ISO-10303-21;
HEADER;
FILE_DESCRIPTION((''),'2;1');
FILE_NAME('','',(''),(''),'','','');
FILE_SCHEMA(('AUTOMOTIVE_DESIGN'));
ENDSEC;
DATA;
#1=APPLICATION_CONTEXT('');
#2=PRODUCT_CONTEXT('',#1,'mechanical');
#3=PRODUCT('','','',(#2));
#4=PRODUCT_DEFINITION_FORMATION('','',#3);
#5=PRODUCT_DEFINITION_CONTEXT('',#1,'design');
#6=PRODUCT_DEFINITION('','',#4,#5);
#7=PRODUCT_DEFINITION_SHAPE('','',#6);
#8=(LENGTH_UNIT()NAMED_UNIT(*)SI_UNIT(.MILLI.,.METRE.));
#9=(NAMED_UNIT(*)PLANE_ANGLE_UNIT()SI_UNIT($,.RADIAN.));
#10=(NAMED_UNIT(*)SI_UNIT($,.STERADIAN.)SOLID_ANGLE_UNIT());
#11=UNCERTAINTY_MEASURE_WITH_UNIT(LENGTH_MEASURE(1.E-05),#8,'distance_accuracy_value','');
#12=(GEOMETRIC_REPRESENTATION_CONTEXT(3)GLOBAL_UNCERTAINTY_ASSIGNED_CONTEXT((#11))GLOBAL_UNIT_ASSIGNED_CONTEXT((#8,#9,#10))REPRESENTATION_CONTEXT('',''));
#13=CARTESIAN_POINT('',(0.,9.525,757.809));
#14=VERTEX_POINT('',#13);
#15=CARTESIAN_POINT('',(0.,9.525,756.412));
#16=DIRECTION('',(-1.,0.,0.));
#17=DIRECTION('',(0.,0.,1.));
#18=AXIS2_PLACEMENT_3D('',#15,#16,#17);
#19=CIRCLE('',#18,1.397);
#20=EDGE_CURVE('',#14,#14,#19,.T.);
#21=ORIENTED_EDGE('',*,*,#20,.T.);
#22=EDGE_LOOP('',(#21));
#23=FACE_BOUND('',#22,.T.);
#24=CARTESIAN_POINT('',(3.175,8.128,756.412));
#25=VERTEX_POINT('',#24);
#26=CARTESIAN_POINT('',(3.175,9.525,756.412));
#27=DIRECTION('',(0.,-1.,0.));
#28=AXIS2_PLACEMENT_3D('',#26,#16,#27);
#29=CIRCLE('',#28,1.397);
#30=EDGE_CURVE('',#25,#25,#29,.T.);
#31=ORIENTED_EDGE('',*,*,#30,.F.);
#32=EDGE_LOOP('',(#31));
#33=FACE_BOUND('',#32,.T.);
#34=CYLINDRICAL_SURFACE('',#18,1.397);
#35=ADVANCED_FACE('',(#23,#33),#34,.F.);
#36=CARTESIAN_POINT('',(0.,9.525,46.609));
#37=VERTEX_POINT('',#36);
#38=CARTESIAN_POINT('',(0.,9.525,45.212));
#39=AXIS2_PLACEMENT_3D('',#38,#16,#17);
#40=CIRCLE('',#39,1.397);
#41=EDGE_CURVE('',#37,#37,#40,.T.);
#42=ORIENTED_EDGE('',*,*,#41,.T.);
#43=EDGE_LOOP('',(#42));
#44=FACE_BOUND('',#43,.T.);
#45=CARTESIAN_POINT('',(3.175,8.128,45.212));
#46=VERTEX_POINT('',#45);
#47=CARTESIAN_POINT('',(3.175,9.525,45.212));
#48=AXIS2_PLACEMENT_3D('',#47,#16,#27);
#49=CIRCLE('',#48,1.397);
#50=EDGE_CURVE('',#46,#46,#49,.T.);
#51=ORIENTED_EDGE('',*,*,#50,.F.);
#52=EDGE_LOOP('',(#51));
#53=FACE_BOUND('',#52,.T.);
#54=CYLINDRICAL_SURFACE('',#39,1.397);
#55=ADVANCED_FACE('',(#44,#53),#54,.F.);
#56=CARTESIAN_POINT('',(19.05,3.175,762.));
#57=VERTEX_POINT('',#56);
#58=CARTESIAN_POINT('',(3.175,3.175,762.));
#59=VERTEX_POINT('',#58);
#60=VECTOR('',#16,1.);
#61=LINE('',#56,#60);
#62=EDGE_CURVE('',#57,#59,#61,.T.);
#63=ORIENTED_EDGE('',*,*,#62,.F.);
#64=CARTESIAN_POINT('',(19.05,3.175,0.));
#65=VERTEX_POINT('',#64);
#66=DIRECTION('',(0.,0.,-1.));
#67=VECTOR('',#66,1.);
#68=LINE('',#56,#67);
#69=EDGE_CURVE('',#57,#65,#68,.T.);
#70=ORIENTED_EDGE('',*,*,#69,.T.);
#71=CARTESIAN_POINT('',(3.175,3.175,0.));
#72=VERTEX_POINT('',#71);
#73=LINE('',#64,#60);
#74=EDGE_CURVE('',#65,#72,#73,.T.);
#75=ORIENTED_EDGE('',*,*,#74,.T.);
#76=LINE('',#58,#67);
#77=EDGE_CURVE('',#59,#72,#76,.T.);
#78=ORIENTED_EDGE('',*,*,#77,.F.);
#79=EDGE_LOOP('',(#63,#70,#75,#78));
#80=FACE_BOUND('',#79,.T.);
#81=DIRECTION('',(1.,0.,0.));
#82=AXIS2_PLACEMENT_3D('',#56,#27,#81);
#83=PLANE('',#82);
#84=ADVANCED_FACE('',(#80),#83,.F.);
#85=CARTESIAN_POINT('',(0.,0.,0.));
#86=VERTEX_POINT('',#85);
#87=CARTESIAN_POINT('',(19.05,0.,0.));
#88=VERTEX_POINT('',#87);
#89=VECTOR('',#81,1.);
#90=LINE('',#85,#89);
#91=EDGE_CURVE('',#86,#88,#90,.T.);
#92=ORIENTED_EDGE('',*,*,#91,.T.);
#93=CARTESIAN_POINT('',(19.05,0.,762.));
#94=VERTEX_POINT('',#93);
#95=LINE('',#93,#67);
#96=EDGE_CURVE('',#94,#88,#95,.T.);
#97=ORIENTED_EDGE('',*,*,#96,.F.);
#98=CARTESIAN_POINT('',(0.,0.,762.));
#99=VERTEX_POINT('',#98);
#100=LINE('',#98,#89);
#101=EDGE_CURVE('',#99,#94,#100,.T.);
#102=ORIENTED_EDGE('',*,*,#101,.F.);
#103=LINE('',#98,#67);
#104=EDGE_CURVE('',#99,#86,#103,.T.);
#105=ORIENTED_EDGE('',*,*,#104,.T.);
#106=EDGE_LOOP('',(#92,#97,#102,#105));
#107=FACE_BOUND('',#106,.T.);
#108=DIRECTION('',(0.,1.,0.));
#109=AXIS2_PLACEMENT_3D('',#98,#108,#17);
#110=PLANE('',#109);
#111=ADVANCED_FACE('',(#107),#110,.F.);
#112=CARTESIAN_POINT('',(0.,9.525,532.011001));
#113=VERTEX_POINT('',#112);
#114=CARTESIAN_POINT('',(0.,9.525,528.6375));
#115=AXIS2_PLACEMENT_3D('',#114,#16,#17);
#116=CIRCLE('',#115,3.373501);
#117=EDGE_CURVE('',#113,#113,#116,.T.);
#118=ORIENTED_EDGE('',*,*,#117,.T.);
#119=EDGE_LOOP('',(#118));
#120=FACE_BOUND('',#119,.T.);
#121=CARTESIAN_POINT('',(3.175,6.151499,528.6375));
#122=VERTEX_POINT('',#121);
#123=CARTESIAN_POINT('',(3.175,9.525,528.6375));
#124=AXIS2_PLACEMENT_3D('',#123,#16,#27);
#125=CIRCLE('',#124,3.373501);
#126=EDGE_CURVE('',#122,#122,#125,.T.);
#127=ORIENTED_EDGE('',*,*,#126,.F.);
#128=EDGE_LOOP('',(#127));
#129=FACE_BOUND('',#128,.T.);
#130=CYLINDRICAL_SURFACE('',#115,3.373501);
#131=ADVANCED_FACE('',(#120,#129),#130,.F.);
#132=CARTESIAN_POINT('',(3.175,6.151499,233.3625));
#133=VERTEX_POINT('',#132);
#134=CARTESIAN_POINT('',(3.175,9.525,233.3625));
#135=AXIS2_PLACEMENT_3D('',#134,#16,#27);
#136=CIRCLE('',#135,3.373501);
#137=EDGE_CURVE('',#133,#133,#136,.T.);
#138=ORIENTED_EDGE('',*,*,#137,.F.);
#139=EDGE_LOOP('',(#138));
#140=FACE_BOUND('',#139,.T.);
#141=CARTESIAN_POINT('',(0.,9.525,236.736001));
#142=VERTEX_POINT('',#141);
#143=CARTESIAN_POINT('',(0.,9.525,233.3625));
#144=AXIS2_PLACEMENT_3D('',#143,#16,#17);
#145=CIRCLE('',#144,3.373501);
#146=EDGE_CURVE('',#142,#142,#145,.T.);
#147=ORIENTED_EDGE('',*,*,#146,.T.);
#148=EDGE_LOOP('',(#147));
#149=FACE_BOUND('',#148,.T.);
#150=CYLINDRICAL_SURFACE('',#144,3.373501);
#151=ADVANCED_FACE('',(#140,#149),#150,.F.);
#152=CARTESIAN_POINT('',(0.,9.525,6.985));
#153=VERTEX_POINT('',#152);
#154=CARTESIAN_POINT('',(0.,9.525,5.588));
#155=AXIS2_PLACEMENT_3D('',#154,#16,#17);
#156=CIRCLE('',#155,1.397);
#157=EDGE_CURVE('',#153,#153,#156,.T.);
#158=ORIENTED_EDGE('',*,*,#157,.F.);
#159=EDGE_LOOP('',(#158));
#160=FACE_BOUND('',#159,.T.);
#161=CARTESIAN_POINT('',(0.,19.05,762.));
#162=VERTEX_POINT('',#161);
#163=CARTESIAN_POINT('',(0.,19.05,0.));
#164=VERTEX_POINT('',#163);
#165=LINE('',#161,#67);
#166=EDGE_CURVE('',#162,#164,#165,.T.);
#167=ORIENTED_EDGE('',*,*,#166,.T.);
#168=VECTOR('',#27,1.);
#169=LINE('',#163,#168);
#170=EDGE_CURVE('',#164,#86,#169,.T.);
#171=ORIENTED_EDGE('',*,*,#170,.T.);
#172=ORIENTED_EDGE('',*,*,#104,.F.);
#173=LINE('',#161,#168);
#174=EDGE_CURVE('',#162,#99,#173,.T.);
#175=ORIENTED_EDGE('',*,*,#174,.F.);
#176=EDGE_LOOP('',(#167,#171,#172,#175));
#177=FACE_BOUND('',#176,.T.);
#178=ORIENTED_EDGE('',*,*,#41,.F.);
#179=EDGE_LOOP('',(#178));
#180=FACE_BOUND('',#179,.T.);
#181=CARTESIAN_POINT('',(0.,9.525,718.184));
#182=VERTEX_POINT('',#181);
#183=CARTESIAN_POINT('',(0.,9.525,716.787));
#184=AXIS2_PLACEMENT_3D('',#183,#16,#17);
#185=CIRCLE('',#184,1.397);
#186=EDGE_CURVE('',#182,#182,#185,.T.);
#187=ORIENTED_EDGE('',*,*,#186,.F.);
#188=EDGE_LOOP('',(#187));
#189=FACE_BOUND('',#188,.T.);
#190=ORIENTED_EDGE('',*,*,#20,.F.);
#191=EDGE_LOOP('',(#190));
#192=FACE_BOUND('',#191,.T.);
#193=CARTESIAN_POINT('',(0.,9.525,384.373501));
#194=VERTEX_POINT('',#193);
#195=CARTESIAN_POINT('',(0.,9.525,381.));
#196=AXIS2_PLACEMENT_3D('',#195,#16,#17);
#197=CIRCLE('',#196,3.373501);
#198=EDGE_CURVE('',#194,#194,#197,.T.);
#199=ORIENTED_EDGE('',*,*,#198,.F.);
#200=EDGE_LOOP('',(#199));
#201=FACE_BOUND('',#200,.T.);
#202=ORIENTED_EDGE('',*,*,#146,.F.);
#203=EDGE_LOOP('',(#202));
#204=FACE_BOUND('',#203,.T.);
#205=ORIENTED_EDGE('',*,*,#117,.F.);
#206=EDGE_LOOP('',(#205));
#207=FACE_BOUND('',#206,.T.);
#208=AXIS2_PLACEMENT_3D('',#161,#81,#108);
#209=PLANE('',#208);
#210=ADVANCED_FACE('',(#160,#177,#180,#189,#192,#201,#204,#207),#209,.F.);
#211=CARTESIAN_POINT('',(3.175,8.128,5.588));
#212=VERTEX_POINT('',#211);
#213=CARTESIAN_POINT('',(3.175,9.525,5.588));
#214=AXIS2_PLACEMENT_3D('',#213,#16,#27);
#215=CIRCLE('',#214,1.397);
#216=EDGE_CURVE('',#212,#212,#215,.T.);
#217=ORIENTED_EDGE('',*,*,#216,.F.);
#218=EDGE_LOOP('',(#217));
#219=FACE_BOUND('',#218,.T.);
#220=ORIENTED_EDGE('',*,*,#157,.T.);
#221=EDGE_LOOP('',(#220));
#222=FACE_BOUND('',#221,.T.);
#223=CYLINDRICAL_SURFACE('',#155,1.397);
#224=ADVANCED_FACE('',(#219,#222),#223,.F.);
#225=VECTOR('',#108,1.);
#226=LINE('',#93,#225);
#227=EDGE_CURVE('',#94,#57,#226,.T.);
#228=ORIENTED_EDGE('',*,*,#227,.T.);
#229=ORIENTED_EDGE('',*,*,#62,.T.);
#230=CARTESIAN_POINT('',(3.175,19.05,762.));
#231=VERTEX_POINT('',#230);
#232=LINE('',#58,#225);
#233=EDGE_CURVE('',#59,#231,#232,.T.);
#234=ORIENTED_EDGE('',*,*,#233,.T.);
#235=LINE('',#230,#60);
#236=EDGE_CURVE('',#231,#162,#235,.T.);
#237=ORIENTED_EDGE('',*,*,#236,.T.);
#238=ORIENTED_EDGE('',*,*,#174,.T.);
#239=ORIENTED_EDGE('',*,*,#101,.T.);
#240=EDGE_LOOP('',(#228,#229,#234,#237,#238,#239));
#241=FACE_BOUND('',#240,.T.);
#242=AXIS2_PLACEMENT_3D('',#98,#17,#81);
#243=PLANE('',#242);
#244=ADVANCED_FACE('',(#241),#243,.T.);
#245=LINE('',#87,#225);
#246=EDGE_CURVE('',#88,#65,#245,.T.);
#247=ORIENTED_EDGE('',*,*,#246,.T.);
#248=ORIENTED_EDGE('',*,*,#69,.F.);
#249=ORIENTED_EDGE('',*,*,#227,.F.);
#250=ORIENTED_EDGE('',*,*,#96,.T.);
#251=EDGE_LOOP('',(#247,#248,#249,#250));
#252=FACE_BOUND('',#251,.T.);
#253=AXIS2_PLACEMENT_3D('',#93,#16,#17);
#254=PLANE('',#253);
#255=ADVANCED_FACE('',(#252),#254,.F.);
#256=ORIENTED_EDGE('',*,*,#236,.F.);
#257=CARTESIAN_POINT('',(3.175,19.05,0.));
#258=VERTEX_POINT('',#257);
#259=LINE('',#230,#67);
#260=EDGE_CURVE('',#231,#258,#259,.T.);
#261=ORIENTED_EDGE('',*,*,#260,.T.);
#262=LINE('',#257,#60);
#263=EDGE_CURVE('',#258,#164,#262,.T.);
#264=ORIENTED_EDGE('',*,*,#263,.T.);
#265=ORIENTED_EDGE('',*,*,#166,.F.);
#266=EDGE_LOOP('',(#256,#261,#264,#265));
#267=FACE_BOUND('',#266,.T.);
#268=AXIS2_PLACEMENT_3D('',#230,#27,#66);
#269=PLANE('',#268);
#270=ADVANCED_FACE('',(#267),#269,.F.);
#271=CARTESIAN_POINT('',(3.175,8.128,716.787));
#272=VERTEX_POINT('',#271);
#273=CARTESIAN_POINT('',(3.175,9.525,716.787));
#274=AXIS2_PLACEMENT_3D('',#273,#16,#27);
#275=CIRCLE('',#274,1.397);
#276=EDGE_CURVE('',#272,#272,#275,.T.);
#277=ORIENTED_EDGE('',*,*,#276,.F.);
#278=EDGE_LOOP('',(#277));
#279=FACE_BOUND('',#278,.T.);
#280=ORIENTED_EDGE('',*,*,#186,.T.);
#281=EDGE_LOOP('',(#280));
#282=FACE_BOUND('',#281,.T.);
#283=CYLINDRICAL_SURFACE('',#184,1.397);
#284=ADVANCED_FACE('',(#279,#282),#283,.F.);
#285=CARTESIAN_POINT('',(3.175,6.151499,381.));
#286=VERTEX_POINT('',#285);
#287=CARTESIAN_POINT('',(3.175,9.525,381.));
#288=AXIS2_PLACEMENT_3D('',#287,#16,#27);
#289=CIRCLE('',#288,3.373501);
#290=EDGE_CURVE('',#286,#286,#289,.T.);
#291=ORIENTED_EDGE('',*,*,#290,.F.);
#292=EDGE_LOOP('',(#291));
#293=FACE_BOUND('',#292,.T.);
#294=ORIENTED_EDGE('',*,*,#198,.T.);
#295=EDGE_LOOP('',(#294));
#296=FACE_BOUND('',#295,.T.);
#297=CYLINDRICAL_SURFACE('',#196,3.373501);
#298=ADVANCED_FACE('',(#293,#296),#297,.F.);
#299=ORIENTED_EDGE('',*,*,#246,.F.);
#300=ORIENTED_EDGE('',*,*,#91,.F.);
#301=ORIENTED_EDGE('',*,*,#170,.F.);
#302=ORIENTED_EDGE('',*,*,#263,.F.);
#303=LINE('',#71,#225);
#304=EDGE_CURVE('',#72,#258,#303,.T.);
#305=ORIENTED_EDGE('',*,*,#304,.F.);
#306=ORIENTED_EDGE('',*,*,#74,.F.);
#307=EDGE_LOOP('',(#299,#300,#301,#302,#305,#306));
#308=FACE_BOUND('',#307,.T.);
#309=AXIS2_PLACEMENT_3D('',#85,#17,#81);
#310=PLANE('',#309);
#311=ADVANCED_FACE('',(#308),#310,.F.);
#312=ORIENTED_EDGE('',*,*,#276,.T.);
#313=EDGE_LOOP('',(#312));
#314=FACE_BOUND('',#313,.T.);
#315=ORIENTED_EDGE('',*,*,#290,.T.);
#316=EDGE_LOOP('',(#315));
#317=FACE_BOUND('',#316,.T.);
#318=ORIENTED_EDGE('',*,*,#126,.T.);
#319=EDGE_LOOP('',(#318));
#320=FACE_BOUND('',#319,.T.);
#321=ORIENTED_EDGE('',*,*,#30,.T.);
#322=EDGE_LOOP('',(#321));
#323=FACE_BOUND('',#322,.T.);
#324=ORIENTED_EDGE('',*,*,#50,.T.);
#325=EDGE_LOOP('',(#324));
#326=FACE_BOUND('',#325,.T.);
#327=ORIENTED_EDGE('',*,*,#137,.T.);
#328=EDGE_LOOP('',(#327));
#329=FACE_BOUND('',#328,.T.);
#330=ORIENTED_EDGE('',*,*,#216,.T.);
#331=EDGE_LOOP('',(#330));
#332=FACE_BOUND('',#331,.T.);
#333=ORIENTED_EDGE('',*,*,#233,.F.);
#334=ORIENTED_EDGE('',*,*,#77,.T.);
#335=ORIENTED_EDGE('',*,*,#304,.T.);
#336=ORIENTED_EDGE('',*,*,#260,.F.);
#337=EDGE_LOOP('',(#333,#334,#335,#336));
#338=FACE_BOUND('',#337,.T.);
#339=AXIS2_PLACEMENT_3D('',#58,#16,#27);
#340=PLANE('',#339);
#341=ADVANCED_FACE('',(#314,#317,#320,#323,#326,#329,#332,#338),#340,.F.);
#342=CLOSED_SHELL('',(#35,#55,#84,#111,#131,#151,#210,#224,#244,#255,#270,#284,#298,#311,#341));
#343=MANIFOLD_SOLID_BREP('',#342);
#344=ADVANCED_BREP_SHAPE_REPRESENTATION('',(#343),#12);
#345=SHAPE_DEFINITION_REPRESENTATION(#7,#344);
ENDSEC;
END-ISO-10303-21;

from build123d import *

# Parameters (mm, degrees)
BOSS_EXTRUDE1_DEPTH                  = 762
F_35_0_11_DIAMETER_HOLE1_D           = 2.794
F_17_64_0_26563_DIAMETER_HOLE1_D     = 6.747002
F_17_64_0_26563_DIAMETER_HOLE1_DEPTH = 10
F_17_64_0_26563_DIAMETER_HOLE1_TIP   = 2.027003899


with BuildPart() as part:
    # Sketch1 → Boss-Extrude1 (new body)
    with BuildSketch(Plane.XY):
        Polygon((0, 0), (19.05, 0), (19.05, 3.175), (3.175, 3.175), (3.175, 19.05), (0, 19.05), align=None)
    extrude(amount=BOSS_EXTRUDE1_DEPTH)

    # #35 (0.11) Diameter Hole1 (through all)
    with Locations(Plane(origin=(0, 9.525, 5.588), x_dir=(0, -1, 0), z_dir=(-1, 0, 0))):
        with Locations((0, 0), (0, 39.624), (0, 711.199), (0, 750.824)):
            Hole(F_35_0_11_DIAMETER_HOLE1_D / 2)

    # 17/64 (0.26563) Diameter Hole1
    with Locations(Plane(origin=(0, 9.525, 233.3625), x_dir=(0, -1, 0), z_dir=(-1, 0, 0))):
        with Locations((0, 0), (0, 147.6375), (0, 295.275)):
            Hole(F_17_64_0_26563_DIAMETER_HOLE1_D / 2, depth=F_17_64_0_26563_DIAMETER_HOLE1_DEPTH)
            with Locations((0, 0, -(F_17_64_0_26563_DIAMETER_HOLE1_DEPTH + F_17_64_0_26563_DIAMETER_HOLE1_TIP / 2))):  # 118° drill point
                Cone(0, F_17_64_0_26563_DIAMETER_HOLE1_D / 2, F_17_64_0_26563_DIAMETER_HOLE1_TIP, mode=Mode.SUBTRACT)


solid = part.part
